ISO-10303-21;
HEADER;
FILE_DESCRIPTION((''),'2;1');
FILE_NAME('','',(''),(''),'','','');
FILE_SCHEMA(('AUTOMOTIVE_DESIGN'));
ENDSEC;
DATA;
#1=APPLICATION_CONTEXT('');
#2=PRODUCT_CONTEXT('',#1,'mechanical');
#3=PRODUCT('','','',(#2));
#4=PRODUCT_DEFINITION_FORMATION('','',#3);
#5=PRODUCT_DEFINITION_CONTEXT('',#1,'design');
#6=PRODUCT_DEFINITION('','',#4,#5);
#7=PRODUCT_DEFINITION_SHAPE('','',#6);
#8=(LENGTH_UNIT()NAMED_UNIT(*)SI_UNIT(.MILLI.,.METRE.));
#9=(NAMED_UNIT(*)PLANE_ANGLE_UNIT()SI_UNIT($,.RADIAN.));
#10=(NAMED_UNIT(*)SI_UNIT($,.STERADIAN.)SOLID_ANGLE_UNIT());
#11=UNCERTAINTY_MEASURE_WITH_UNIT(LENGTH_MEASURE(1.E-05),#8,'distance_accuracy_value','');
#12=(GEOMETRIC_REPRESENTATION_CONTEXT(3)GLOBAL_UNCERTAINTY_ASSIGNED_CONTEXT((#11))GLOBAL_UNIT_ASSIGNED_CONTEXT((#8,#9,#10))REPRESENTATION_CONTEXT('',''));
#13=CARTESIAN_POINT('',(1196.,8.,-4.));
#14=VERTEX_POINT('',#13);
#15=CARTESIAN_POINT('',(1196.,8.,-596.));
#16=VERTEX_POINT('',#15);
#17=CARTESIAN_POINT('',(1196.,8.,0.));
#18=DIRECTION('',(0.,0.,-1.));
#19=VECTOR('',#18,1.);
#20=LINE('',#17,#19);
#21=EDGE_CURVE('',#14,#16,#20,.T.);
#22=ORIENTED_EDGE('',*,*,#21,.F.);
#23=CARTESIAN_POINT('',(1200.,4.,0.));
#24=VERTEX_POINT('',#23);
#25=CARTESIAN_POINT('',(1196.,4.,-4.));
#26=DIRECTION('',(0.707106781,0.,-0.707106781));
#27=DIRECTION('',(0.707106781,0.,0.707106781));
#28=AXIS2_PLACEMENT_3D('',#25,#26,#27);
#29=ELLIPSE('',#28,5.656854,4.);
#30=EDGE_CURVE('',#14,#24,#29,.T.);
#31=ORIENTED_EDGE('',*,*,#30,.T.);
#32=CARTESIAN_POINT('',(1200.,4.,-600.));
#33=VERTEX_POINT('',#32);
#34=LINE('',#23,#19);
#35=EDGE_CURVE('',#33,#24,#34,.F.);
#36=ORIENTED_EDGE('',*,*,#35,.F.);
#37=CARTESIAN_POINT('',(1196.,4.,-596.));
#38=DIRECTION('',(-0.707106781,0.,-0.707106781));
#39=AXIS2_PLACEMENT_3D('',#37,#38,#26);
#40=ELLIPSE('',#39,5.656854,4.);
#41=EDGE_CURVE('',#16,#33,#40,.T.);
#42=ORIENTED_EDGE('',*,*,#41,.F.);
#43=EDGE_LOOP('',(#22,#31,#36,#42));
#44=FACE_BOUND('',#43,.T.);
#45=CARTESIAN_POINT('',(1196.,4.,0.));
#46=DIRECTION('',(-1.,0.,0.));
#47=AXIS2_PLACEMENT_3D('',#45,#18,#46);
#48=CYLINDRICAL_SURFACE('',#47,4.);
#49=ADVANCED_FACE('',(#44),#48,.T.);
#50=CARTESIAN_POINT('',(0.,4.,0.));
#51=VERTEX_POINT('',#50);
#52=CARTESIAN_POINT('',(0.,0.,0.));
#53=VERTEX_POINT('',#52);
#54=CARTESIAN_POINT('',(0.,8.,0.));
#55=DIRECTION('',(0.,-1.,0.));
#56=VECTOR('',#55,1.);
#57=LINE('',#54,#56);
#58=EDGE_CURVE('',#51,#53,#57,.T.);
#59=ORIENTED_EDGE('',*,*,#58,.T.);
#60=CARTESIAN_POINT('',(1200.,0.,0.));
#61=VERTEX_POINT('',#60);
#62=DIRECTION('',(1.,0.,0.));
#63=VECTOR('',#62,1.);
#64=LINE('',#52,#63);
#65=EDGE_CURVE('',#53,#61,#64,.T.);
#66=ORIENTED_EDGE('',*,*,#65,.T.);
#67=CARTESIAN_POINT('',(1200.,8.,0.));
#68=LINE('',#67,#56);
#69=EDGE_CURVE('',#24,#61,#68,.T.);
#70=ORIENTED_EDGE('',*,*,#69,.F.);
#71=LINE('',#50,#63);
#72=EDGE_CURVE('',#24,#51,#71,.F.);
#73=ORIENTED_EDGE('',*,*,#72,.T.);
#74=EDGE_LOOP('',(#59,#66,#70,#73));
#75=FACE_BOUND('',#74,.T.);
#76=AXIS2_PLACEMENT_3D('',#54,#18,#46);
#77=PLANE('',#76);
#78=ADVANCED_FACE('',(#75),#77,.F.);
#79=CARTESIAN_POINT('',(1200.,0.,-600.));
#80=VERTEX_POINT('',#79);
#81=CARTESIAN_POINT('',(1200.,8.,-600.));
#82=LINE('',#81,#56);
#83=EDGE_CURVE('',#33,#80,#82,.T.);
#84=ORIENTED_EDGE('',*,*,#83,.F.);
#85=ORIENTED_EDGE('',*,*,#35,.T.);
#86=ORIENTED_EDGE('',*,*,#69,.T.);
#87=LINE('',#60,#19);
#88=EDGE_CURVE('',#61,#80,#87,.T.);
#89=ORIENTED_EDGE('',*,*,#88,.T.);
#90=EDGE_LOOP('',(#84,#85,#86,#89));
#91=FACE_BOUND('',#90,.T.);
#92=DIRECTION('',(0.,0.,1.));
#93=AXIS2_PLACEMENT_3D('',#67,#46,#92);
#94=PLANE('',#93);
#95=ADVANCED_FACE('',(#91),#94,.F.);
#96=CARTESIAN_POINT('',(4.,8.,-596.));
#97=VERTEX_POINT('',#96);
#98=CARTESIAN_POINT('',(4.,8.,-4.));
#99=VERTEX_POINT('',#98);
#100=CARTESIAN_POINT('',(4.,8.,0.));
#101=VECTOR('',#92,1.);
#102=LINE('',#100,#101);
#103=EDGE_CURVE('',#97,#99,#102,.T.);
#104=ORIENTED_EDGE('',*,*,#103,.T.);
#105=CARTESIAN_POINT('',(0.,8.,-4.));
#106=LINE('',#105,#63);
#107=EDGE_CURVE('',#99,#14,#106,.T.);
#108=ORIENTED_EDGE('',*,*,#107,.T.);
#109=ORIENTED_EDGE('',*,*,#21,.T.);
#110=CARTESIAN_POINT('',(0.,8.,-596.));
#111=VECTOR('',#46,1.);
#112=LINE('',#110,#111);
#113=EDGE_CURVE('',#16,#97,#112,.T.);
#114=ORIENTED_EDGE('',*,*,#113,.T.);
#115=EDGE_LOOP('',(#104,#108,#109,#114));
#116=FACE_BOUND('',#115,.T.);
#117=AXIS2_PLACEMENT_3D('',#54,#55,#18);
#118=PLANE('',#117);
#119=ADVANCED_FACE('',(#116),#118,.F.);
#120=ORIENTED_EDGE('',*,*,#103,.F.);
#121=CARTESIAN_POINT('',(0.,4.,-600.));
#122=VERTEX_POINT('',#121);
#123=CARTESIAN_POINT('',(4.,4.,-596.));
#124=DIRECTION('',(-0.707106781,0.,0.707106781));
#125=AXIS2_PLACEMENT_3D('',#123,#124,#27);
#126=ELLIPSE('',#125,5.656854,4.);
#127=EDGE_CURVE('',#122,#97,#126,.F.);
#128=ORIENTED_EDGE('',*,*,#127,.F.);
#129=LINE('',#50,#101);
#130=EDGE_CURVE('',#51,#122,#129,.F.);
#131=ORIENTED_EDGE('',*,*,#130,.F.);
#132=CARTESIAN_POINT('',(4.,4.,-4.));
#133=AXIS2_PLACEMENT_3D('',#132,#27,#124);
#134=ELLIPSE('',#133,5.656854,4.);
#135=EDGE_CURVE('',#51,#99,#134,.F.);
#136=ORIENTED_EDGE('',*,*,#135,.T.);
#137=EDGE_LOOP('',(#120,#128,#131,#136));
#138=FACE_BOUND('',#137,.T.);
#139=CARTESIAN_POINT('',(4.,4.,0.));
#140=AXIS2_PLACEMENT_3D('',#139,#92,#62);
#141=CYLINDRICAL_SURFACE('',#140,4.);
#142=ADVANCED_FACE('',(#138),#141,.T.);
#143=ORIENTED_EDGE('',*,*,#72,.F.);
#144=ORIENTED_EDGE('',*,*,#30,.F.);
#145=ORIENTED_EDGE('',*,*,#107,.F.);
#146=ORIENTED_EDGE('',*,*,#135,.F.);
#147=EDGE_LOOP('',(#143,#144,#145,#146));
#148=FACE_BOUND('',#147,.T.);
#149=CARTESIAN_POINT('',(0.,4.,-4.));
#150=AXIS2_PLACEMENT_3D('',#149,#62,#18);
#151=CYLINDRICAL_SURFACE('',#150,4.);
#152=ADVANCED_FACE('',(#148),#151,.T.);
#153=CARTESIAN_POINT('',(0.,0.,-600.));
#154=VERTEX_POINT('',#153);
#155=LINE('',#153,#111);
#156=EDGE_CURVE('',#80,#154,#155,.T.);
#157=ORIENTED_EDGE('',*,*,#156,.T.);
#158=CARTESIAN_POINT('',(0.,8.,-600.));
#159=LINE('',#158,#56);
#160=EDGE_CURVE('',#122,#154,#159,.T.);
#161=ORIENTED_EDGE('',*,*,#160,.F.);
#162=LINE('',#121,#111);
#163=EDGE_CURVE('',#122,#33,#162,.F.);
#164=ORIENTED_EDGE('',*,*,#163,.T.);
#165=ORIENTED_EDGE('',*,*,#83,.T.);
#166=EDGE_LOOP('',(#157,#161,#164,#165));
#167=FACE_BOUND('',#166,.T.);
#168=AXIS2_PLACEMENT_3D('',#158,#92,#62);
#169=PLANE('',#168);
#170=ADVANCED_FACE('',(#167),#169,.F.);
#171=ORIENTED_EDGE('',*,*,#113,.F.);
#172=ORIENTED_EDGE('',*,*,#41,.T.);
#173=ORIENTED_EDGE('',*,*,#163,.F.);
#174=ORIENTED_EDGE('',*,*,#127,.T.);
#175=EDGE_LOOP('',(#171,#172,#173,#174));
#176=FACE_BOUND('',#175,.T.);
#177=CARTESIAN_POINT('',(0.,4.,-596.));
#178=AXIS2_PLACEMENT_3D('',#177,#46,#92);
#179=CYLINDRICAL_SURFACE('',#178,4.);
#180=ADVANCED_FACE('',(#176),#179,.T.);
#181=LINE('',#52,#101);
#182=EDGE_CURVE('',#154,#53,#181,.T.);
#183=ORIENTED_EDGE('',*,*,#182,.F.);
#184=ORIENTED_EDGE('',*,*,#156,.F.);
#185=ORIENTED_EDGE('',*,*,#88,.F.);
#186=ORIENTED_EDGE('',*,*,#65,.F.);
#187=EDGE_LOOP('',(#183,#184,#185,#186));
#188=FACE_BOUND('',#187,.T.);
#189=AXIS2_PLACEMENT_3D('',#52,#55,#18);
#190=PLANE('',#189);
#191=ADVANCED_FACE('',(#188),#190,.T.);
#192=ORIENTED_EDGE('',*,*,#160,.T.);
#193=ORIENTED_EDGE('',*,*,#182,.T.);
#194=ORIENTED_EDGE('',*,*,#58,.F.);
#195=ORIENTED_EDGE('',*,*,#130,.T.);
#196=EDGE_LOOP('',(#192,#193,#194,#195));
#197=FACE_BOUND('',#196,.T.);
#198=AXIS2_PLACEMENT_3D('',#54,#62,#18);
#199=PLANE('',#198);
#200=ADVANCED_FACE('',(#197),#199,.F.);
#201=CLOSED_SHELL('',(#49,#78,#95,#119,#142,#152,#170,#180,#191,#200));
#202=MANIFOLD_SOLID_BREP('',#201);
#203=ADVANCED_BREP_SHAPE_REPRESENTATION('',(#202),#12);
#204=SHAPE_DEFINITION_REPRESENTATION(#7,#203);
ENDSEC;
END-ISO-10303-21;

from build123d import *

# Parameters (mm, degrees)
SKETCH_1_W      = 1200
SKETCH_1_H      = 600
EXTRUDE_1_DEPTH = 8
FILLET_1_R      = 4


with BuildPart() as part:
    # Эскиз1 → Бобышка-Вытянуть1 (new body)
    with BuildSketch(Plane(origin=(0, 0, 0), x_dir=(1, 0, 0), z_dir=(0, 1, 0))):
        with Locations((600, 300)):
            Rectangle(SKETCH_1_W, SKETCH_1_H)
    extrude(amount=EXTRUDE_1_DEPTH)

    # Скругление1
    fillet_1_edges = [part.edges().sort_by_distance(p)[0] for p in [
        (1200, 8, -300),
        (600, 8, -600),
        (0, 8, -300),
        (600, 8, 0),
    ]]
    fillet(fillet_1_edges, radius=FILLET_1_R)


solid = part.part
